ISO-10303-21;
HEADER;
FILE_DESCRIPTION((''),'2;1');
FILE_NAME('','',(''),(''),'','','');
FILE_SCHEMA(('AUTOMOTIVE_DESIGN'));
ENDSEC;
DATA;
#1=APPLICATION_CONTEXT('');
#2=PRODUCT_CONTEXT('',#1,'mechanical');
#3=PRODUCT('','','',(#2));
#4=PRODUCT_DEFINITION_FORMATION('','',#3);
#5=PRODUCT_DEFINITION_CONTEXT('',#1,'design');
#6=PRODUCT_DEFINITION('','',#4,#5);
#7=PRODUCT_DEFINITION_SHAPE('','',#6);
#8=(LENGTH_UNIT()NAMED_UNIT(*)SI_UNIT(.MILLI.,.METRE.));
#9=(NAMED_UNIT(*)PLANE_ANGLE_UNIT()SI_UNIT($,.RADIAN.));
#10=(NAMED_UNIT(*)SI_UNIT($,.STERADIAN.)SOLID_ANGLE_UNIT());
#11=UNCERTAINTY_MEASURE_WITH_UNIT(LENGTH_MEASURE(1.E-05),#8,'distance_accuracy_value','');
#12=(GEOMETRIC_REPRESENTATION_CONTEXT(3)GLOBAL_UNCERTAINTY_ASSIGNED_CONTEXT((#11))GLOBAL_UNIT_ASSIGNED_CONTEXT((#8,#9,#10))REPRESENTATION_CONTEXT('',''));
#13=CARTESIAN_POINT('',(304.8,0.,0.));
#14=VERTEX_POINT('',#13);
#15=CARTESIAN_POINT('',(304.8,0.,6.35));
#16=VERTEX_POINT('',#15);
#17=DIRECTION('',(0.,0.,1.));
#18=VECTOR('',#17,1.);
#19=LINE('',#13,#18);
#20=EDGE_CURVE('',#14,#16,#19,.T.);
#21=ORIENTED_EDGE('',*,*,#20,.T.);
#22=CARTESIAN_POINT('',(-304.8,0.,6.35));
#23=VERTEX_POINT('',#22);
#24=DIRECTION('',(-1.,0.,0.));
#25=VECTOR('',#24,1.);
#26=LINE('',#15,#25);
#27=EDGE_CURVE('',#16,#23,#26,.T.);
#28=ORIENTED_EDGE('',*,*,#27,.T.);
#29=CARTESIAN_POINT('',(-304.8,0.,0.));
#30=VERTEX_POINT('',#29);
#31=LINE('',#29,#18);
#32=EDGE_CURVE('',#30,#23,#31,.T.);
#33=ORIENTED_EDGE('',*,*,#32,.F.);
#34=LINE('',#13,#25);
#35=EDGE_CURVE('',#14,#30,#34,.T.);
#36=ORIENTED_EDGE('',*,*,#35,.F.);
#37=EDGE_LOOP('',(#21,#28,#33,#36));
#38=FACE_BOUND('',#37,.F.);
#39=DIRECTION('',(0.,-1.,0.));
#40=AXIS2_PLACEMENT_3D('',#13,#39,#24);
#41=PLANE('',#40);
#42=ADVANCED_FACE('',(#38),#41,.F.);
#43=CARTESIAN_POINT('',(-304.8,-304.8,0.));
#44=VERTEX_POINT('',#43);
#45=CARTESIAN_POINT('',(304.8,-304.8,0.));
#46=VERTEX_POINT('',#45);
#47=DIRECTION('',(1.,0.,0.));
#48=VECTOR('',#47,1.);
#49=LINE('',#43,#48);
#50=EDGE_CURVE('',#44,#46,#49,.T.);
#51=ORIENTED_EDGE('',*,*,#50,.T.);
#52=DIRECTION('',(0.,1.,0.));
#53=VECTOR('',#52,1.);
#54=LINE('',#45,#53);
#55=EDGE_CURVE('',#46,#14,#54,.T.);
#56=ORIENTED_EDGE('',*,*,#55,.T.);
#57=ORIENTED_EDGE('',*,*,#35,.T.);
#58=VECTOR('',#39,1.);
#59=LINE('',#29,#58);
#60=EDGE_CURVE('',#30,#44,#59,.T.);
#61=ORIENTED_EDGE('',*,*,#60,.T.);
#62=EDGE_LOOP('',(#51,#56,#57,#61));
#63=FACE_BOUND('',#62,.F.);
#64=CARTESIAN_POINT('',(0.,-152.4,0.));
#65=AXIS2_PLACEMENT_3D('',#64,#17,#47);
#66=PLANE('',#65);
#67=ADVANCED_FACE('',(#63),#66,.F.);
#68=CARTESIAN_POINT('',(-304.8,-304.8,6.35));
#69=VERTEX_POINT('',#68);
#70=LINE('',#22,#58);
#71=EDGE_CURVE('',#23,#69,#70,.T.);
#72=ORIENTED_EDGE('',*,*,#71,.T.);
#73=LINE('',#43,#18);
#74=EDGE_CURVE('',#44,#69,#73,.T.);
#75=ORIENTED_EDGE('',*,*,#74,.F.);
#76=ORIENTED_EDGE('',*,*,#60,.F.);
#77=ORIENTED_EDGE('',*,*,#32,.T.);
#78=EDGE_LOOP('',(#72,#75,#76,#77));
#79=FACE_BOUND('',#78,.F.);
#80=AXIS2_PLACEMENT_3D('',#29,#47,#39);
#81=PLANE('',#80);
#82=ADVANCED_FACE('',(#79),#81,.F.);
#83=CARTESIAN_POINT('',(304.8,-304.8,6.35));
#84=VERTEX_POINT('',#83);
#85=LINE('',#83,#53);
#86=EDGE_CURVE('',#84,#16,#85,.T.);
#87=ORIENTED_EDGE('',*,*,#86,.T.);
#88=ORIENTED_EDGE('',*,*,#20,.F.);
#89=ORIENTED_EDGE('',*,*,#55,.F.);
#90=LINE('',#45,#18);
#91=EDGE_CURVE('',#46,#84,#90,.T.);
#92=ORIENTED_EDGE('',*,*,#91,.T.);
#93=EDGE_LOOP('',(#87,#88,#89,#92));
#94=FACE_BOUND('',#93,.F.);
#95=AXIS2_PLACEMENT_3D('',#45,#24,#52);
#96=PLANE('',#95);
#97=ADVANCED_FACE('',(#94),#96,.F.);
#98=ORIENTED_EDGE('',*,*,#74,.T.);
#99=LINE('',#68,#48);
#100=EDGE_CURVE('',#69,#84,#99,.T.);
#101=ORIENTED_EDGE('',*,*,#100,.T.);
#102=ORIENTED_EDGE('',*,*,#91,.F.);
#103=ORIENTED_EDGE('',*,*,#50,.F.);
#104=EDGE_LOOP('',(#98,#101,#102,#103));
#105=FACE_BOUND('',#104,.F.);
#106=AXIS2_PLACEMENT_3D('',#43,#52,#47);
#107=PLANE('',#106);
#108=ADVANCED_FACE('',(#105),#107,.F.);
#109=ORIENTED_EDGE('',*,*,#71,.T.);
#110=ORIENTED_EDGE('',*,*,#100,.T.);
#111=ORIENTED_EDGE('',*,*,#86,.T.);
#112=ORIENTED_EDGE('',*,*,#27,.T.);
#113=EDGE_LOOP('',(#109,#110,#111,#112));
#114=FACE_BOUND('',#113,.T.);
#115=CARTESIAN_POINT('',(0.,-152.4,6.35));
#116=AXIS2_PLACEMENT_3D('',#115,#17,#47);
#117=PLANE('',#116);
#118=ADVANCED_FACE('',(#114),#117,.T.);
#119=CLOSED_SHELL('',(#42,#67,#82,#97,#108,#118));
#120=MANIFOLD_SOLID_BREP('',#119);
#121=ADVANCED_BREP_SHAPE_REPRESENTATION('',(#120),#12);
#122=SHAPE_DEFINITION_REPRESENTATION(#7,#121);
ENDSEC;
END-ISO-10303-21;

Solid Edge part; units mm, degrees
sketch "Sketch1" plane through (0, 0, 0) normal (0, 0, 1) x (1, 0, 0)
  line L0 (-304.8, -304.8) -> (304.8, -304.8)
  line L1 (304.8, -304.8) -> (304.8, 0)
  line L2 (304.8, 0) -> (-304.8, 0)
  line L3 (-304.8, 0) -> (-304.8, -304.8)
  dimension "D1" = 609.6
  dimension "D2" = 304.8
extrude "Protrusion1" add sketch "Sketch1" along normal blind 6.35
extrude "Cutout1" [suppressed]
properties material "Wood, Pine"
